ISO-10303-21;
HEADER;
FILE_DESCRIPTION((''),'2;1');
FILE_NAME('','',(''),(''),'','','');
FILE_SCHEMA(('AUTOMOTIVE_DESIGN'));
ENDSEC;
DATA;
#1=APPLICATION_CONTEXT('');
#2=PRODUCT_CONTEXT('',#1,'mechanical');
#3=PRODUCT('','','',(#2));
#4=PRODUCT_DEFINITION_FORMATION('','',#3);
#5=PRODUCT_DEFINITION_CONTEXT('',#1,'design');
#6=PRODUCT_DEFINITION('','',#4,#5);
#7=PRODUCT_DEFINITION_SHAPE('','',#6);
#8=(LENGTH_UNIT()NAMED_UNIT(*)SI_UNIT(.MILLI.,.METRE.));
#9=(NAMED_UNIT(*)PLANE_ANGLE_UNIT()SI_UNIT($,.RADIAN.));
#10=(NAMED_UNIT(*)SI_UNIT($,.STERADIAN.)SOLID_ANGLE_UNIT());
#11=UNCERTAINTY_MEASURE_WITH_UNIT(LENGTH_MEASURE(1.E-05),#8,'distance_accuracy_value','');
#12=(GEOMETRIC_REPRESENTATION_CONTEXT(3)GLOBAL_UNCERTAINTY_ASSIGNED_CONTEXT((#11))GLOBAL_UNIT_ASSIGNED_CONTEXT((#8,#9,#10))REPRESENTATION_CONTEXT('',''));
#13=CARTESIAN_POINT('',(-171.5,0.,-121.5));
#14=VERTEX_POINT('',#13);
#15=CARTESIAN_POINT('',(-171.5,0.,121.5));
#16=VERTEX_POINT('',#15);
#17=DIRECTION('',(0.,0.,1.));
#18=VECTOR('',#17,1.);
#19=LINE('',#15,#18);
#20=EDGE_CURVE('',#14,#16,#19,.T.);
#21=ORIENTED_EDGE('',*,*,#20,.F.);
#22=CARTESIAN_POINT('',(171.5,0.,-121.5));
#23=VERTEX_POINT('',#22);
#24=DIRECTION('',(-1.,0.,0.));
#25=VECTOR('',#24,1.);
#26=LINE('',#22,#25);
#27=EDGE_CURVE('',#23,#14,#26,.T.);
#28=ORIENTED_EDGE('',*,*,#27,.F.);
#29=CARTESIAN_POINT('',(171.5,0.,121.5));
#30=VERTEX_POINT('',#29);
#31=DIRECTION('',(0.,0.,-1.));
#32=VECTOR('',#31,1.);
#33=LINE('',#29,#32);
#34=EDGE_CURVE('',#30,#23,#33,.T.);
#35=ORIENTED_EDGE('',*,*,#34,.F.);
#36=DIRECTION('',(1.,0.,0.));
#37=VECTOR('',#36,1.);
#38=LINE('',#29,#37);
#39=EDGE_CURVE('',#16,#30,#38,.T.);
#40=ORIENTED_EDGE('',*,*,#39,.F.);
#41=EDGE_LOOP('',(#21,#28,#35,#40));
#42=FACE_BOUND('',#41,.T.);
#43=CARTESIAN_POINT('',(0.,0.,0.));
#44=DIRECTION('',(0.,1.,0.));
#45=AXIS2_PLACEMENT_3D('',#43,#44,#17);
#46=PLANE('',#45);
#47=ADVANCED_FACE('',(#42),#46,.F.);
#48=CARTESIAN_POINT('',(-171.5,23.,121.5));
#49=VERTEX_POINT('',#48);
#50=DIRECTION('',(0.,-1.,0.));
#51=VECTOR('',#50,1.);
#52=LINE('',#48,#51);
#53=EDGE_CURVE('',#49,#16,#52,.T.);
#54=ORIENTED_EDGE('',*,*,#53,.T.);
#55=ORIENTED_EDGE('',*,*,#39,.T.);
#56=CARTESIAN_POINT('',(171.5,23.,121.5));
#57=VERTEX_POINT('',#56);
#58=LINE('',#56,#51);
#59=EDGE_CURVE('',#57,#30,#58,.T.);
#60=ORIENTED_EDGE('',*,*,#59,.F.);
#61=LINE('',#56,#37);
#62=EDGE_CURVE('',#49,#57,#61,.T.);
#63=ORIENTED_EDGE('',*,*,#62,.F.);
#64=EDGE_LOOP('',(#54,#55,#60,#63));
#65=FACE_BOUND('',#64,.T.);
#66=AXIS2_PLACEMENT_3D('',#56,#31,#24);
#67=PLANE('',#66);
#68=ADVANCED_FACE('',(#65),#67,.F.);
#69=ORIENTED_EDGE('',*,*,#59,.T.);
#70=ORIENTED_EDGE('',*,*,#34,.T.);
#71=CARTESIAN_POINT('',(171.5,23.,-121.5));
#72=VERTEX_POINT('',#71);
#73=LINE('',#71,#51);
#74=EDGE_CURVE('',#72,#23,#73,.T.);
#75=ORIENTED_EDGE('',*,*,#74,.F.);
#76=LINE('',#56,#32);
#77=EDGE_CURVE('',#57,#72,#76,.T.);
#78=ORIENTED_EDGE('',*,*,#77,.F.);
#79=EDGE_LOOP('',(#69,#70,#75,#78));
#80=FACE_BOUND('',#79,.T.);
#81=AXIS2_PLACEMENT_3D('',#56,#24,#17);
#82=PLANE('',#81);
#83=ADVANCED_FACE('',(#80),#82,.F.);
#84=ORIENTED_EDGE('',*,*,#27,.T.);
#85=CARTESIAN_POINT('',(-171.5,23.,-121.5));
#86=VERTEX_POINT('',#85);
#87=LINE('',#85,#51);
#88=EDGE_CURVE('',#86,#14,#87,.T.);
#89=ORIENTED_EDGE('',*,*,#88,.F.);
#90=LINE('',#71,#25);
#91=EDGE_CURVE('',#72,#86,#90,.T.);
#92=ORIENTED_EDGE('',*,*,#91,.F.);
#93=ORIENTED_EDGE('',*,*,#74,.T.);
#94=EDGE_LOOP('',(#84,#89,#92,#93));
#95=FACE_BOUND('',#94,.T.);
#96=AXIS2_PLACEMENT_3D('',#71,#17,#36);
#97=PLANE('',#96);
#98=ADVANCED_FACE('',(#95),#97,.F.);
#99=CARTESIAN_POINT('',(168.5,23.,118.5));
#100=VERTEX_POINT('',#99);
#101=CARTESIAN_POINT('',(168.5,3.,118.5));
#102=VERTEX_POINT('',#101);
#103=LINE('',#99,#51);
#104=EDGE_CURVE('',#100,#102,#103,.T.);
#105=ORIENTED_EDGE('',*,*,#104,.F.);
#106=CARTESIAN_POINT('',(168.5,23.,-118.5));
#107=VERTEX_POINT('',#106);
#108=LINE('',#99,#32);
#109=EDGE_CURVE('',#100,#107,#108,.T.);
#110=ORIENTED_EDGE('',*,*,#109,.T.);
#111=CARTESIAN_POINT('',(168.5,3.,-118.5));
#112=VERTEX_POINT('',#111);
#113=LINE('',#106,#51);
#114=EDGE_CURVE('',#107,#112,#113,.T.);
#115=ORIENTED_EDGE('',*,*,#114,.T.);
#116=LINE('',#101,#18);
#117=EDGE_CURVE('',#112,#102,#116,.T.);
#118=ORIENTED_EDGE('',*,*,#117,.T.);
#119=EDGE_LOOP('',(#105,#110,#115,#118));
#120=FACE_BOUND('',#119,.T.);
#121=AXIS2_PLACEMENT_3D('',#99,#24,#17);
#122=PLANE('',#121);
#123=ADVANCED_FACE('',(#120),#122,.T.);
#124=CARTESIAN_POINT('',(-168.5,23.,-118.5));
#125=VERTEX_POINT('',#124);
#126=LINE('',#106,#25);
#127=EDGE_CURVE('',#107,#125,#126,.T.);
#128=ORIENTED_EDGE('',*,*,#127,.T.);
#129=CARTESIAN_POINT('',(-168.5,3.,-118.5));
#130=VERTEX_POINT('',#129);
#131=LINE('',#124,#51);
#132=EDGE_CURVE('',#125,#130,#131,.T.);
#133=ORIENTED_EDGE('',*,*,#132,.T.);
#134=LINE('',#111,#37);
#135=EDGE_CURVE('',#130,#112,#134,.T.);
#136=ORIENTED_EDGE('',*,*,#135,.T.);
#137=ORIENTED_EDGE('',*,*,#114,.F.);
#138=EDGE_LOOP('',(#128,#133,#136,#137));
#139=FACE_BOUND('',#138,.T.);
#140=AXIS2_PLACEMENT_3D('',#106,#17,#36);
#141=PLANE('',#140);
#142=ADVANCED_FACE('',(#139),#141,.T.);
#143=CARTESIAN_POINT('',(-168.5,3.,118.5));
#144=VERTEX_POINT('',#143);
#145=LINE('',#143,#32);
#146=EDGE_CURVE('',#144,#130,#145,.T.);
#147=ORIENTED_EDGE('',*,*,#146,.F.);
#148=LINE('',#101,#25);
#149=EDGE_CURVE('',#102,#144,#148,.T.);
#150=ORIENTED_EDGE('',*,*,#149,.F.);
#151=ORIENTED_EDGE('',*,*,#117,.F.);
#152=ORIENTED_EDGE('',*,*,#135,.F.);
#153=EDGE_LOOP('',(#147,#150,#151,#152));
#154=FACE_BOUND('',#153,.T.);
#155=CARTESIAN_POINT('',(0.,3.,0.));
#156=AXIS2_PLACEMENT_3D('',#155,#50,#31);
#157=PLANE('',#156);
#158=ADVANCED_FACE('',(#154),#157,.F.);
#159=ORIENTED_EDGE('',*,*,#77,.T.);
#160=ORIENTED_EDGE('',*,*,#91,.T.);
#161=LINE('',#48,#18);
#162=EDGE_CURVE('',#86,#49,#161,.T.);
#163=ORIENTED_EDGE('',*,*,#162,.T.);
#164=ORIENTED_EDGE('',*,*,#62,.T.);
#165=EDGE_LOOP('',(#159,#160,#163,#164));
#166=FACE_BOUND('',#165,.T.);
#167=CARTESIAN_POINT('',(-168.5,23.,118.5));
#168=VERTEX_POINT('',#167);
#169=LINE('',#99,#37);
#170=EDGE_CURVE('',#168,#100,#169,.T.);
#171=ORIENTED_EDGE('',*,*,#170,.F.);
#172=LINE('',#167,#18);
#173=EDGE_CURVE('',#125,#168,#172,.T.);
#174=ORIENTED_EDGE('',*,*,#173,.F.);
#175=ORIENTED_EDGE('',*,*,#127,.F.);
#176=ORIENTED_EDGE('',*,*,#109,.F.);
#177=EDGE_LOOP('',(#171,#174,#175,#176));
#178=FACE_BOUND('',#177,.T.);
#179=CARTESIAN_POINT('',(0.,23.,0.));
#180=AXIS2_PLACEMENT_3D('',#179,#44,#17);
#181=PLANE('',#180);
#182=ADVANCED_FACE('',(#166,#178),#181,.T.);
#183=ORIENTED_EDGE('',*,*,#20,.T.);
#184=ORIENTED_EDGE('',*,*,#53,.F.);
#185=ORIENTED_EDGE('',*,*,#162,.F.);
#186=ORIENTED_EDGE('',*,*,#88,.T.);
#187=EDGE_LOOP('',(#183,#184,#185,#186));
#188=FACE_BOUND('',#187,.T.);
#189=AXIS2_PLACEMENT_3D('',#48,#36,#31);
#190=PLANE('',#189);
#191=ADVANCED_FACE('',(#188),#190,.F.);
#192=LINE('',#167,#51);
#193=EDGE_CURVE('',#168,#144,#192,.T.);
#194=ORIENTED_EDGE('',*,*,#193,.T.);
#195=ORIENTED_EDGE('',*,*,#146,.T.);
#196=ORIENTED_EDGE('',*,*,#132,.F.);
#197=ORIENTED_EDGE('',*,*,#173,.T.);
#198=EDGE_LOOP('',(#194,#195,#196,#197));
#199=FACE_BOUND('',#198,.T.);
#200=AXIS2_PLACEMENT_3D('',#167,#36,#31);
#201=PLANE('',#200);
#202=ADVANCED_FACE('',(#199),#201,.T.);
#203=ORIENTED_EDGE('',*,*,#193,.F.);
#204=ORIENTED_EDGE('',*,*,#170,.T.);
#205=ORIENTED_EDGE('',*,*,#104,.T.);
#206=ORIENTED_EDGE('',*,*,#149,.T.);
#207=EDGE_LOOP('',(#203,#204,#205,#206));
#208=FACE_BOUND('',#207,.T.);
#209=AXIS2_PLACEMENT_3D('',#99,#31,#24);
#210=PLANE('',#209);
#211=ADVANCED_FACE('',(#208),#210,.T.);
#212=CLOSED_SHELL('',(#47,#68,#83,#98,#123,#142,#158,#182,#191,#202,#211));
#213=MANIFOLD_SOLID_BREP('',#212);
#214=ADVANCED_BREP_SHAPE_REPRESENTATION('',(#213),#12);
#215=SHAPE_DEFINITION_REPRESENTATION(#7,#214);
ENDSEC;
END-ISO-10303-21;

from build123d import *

# Parameters (mm, degrees)
SKETCH1_W           = 343
SKETCH1_H           = 243
SKETCH1_W_2         = 337
SKETCH1_H_2         = 237
BOSS_EXTRUDE1_DEPTH = 23
SKETCH2_W           = 343
SKETCH2_H           = 243
BOSS_EXTRUDE2_DEPTH = 3


with BuildPart() as part:
    # Sketch1 → Boss-Extrude1 (new body)
    with BuildSketch(Plane(origin=(0, 0, 0), x_dir=(1, 0, 0), z_dir=(0, 1, 0))):
        Rectangle(SKETCH1_W, SKETCH1_H)
        Rectangle(SKETCH1_W_2, SKETCH1_H_2, mode=Mode.SUBTRACT)
    extrude(amount=BOSS_EXTRUDE1_DEPTH)

    # Sketch2 → Boss-Extrude2 (add)
    with BuildSketch(Plane.XZ):
        Rectangle(SKETCH2_W, SKETCH2_H)
    extrude(amount=-BOSS_EXTRUDE2_DEPTH)


solid = part.part
